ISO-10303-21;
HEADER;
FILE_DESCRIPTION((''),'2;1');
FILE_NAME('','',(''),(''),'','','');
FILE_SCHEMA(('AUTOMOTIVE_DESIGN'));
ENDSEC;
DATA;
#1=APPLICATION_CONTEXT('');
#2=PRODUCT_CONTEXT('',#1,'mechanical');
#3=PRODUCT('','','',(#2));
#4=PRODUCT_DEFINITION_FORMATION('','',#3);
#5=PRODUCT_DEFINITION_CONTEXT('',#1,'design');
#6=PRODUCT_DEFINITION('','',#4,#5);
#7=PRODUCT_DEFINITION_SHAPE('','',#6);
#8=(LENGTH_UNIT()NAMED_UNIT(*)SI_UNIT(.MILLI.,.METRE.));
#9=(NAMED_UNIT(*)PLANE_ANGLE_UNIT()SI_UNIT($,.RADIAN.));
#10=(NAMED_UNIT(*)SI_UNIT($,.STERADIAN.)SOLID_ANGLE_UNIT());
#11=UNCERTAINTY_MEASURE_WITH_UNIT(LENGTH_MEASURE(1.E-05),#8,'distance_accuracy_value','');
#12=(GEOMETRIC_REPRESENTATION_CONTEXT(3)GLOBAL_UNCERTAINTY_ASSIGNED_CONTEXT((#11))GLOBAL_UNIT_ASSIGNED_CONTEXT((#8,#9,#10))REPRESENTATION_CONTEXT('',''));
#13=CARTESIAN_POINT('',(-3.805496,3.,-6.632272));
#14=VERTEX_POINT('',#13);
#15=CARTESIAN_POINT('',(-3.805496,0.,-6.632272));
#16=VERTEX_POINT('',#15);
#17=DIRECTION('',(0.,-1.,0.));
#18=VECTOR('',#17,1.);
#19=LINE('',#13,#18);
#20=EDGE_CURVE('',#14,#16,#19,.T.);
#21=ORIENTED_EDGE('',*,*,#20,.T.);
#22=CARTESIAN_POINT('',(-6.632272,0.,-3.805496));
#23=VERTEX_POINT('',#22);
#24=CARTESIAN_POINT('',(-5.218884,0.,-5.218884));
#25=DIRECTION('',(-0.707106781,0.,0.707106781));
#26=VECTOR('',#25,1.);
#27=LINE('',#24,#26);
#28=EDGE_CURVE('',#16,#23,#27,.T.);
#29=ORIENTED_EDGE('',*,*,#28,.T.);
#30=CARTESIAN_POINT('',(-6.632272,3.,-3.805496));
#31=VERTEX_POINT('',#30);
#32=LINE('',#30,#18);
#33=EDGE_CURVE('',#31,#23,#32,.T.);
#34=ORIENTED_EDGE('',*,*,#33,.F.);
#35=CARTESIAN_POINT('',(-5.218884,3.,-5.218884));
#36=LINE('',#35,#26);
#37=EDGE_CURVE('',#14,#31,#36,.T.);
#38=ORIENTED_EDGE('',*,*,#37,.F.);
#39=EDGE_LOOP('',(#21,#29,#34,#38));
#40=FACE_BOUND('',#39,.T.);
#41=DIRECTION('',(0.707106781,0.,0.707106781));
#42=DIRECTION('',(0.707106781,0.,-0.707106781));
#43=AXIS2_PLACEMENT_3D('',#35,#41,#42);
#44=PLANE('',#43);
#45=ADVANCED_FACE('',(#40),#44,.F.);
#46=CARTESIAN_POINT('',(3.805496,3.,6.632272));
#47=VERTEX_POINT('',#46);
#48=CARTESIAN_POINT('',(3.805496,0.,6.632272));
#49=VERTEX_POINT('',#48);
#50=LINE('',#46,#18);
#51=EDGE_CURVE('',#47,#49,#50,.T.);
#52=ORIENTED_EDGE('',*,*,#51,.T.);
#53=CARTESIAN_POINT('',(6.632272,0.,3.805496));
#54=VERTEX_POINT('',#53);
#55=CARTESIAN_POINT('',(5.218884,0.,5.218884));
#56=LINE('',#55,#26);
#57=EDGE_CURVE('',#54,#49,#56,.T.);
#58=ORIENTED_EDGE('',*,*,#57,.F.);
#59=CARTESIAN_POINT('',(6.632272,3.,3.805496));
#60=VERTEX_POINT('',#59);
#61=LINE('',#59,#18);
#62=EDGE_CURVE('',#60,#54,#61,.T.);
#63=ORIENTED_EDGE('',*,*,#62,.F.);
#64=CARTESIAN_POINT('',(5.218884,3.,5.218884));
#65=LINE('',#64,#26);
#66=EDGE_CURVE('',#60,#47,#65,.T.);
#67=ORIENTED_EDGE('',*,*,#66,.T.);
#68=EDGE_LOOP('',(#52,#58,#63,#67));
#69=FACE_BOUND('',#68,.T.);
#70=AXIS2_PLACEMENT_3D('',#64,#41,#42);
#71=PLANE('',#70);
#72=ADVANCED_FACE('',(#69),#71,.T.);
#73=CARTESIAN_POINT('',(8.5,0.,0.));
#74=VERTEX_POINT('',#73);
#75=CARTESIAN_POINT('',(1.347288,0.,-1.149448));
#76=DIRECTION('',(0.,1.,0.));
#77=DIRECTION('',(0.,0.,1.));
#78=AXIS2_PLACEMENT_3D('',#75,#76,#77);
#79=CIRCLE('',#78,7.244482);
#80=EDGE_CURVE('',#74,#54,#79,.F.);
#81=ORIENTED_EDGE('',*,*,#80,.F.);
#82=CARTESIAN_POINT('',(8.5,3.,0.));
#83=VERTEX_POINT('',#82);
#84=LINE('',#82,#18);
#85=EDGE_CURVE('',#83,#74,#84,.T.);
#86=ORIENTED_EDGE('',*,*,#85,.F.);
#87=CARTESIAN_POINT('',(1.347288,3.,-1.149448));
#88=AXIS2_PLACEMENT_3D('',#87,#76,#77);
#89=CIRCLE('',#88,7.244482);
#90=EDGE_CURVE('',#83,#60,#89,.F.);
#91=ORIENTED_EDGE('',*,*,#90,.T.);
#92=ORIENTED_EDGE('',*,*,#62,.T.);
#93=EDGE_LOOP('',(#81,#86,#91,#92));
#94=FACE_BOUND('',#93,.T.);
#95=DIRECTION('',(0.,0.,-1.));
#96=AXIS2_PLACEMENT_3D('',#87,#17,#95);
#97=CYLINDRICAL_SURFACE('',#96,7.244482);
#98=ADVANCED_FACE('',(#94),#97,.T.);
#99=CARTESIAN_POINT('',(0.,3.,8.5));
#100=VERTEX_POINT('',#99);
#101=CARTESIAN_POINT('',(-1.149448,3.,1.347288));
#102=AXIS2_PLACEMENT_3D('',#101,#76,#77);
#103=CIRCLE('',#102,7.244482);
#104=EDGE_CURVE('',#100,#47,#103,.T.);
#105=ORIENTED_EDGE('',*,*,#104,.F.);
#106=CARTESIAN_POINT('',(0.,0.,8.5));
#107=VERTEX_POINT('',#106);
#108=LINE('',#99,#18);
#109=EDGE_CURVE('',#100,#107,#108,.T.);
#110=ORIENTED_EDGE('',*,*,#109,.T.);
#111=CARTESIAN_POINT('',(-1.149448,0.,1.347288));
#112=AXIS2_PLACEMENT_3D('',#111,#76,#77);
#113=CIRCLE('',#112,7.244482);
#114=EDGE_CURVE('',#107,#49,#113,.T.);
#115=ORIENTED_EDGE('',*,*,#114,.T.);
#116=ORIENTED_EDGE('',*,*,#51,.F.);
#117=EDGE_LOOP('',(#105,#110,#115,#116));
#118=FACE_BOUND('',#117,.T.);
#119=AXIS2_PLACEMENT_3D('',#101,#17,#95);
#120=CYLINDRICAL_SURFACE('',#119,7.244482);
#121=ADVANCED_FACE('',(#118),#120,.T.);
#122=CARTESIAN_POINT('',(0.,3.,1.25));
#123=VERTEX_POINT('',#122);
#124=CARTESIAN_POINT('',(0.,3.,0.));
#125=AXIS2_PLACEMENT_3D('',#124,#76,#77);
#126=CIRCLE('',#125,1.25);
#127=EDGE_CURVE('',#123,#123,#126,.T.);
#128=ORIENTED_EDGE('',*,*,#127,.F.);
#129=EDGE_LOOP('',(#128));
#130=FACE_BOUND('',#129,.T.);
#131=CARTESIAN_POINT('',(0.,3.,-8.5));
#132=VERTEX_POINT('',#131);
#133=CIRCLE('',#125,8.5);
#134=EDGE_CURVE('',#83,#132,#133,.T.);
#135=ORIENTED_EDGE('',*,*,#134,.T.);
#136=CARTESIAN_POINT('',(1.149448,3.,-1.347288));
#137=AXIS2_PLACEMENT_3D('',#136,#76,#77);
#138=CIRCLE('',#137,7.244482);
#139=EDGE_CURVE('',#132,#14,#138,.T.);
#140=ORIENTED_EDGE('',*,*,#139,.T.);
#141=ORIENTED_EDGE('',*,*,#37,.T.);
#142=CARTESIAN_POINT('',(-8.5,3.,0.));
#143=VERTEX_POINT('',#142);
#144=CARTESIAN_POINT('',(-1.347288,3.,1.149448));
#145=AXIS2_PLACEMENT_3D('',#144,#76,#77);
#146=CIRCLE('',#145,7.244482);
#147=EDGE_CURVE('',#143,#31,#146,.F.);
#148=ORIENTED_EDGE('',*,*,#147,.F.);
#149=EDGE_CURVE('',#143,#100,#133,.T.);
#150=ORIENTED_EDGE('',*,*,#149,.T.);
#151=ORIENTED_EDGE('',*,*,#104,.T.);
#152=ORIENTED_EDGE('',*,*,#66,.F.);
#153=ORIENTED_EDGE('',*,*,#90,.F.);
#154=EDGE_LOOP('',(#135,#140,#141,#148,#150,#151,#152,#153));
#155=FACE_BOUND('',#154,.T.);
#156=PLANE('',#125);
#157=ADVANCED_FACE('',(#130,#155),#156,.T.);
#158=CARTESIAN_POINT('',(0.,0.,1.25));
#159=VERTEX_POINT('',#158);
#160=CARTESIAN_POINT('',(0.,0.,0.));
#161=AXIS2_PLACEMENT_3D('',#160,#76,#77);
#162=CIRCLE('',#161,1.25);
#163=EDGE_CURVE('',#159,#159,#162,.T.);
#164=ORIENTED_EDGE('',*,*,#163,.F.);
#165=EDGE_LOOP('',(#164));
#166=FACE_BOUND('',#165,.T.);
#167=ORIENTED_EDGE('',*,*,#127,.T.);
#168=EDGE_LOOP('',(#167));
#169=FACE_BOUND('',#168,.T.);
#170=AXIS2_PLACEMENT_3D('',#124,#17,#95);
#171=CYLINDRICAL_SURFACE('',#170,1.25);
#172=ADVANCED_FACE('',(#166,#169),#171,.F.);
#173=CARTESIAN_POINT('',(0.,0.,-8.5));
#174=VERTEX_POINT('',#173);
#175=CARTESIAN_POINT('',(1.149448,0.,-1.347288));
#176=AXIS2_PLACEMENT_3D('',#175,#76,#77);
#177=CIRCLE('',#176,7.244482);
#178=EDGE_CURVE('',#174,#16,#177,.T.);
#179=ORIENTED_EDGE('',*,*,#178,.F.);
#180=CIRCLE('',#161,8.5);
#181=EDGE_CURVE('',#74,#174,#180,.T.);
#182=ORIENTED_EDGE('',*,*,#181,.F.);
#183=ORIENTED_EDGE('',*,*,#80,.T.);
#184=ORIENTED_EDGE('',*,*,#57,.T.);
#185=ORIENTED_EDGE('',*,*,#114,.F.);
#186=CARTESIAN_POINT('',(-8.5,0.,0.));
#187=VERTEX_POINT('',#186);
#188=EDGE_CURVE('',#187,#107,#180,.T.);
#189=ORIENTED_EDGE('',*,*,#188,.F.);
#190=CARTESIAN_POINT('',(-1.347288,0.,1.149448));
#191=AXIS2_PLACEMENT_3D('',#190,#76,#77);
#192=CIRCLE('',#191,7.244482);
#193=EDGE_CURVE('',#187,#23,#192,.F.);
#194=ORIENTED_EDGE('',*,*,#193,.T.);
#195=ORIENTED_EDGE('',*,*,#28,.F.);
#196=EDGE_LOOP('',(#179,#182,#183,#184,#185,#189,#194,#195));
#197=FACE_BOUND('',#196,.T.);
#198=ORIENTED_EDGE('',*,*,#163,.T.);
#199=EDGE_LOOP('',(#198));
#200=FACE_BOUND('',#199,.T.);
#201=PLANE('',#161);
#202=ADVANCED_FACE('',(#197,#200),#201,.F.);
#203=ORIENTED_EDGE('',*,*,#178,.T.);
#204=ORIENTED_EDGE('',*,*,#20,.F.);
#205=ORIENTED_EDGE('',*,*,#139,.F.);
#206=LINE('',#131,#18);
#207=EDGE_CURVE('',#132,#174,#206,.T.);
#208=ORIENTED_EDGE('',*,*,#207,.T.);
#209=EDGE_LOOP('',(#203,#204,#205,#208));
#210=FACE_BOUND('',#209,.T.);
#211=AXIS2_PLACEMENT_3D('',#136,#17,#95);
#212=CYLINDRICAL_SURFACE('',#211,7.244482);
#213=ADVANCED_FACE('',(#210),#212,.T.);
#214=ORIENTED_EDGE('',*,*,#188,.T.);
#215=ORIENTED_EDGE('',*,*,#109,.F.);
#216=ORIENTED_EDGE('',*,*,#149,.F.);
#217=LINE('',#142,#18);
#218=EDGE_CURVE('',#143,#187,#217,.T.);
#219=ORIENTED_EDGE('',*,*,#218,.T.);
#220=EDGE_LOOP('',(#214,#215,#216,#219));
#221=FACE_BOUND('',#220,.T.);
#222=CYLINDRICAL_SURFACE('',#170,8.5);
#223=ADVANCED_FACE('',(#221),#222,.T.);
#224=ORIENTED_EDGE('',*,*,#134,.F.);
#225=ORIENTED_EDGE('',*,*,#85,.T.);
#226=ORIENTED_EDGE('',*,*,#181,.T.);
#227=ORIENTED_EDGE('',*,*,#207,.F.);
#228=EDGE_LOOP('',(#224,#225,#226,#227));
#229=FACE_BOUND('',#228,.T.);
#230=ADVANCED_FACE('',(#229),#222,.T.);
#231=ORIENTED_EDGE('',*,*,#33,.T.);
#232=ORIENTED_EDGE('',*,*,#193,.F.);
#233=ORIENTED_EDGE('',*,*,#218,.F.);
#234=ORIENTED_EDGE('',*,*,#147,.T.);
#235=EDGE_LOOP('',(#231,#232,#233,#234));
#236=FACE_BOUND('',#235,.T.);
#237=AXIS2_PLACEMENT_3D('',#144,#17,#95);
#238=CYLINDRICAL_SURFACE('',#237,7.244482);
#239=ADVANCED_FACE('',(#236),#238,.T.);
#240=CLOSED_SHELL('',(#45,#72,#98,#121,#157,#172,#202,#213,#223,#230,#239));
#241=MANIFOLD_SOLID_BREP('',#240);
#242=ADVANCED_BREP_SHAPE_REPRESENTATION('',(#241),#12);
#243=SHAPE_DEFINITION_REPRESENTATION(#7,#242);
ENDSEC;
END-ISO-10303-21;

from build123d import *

# Parameters (mm, degrees)
SKETCH1_R           = 1.25
BOSS_EXTRUDE1_DEPTH = 3


with BuildPart() as part:
    # Sketch1 → Boss-Extrude1 (new body)
    with BuildSketch(Plane(origin=(0, 0, 0), x_dir=(1, 0, 0), z_dir=(0, 1, 0))):
        with BuildLine():
            Line((6.30223182, -4.135535586), (6.632271605, -3.805495802))
            ThreePointArc((6.632271605, -3.805495802), (7.850711529, -2.042416999), (8.5, 0))
            ThreePointArc((8.5, 0), (6.01040764, 6.01040764), (0, 8.5))
            ThreePointArc((0, 8.5), (-2.042416999, 7.850711529), (-3.805495802, 6.632271605))
            Line((-3.805495802, 6.632271605), (-4.135535586, 6.30223182))
            Line((-4.135535586, 6.30223182), (-6.30223182, 4.135535586))
            Line((-6.30223182, 4.135535586), (-6.632271605, 3.805495802))
            ThreePointArc((-6.632271605, 3.805495802), (-7.850711529, 2.042416999), (-8.5, 0))
            ThreePointArc((-8.5, 0), (-6.01040764, -6.01040764), (0, -8.5))
            ThreePointArc((0, -8.5), (2.042416999, -7.850711529), (3.805495802, -6.632271605))
            Line((3.805495802, -6.632271605), (4.135535586, -6.30223182))
            Line((4.135535586, -6.30223182), (6.30223182, -4.135535586))
        make_face()
        Circle(SKETCH1_R, mode=Mode.SUBTRACT)
    extrude(amount=BOSS_EXTRUDE1_DEPTH)


solid = part.part
